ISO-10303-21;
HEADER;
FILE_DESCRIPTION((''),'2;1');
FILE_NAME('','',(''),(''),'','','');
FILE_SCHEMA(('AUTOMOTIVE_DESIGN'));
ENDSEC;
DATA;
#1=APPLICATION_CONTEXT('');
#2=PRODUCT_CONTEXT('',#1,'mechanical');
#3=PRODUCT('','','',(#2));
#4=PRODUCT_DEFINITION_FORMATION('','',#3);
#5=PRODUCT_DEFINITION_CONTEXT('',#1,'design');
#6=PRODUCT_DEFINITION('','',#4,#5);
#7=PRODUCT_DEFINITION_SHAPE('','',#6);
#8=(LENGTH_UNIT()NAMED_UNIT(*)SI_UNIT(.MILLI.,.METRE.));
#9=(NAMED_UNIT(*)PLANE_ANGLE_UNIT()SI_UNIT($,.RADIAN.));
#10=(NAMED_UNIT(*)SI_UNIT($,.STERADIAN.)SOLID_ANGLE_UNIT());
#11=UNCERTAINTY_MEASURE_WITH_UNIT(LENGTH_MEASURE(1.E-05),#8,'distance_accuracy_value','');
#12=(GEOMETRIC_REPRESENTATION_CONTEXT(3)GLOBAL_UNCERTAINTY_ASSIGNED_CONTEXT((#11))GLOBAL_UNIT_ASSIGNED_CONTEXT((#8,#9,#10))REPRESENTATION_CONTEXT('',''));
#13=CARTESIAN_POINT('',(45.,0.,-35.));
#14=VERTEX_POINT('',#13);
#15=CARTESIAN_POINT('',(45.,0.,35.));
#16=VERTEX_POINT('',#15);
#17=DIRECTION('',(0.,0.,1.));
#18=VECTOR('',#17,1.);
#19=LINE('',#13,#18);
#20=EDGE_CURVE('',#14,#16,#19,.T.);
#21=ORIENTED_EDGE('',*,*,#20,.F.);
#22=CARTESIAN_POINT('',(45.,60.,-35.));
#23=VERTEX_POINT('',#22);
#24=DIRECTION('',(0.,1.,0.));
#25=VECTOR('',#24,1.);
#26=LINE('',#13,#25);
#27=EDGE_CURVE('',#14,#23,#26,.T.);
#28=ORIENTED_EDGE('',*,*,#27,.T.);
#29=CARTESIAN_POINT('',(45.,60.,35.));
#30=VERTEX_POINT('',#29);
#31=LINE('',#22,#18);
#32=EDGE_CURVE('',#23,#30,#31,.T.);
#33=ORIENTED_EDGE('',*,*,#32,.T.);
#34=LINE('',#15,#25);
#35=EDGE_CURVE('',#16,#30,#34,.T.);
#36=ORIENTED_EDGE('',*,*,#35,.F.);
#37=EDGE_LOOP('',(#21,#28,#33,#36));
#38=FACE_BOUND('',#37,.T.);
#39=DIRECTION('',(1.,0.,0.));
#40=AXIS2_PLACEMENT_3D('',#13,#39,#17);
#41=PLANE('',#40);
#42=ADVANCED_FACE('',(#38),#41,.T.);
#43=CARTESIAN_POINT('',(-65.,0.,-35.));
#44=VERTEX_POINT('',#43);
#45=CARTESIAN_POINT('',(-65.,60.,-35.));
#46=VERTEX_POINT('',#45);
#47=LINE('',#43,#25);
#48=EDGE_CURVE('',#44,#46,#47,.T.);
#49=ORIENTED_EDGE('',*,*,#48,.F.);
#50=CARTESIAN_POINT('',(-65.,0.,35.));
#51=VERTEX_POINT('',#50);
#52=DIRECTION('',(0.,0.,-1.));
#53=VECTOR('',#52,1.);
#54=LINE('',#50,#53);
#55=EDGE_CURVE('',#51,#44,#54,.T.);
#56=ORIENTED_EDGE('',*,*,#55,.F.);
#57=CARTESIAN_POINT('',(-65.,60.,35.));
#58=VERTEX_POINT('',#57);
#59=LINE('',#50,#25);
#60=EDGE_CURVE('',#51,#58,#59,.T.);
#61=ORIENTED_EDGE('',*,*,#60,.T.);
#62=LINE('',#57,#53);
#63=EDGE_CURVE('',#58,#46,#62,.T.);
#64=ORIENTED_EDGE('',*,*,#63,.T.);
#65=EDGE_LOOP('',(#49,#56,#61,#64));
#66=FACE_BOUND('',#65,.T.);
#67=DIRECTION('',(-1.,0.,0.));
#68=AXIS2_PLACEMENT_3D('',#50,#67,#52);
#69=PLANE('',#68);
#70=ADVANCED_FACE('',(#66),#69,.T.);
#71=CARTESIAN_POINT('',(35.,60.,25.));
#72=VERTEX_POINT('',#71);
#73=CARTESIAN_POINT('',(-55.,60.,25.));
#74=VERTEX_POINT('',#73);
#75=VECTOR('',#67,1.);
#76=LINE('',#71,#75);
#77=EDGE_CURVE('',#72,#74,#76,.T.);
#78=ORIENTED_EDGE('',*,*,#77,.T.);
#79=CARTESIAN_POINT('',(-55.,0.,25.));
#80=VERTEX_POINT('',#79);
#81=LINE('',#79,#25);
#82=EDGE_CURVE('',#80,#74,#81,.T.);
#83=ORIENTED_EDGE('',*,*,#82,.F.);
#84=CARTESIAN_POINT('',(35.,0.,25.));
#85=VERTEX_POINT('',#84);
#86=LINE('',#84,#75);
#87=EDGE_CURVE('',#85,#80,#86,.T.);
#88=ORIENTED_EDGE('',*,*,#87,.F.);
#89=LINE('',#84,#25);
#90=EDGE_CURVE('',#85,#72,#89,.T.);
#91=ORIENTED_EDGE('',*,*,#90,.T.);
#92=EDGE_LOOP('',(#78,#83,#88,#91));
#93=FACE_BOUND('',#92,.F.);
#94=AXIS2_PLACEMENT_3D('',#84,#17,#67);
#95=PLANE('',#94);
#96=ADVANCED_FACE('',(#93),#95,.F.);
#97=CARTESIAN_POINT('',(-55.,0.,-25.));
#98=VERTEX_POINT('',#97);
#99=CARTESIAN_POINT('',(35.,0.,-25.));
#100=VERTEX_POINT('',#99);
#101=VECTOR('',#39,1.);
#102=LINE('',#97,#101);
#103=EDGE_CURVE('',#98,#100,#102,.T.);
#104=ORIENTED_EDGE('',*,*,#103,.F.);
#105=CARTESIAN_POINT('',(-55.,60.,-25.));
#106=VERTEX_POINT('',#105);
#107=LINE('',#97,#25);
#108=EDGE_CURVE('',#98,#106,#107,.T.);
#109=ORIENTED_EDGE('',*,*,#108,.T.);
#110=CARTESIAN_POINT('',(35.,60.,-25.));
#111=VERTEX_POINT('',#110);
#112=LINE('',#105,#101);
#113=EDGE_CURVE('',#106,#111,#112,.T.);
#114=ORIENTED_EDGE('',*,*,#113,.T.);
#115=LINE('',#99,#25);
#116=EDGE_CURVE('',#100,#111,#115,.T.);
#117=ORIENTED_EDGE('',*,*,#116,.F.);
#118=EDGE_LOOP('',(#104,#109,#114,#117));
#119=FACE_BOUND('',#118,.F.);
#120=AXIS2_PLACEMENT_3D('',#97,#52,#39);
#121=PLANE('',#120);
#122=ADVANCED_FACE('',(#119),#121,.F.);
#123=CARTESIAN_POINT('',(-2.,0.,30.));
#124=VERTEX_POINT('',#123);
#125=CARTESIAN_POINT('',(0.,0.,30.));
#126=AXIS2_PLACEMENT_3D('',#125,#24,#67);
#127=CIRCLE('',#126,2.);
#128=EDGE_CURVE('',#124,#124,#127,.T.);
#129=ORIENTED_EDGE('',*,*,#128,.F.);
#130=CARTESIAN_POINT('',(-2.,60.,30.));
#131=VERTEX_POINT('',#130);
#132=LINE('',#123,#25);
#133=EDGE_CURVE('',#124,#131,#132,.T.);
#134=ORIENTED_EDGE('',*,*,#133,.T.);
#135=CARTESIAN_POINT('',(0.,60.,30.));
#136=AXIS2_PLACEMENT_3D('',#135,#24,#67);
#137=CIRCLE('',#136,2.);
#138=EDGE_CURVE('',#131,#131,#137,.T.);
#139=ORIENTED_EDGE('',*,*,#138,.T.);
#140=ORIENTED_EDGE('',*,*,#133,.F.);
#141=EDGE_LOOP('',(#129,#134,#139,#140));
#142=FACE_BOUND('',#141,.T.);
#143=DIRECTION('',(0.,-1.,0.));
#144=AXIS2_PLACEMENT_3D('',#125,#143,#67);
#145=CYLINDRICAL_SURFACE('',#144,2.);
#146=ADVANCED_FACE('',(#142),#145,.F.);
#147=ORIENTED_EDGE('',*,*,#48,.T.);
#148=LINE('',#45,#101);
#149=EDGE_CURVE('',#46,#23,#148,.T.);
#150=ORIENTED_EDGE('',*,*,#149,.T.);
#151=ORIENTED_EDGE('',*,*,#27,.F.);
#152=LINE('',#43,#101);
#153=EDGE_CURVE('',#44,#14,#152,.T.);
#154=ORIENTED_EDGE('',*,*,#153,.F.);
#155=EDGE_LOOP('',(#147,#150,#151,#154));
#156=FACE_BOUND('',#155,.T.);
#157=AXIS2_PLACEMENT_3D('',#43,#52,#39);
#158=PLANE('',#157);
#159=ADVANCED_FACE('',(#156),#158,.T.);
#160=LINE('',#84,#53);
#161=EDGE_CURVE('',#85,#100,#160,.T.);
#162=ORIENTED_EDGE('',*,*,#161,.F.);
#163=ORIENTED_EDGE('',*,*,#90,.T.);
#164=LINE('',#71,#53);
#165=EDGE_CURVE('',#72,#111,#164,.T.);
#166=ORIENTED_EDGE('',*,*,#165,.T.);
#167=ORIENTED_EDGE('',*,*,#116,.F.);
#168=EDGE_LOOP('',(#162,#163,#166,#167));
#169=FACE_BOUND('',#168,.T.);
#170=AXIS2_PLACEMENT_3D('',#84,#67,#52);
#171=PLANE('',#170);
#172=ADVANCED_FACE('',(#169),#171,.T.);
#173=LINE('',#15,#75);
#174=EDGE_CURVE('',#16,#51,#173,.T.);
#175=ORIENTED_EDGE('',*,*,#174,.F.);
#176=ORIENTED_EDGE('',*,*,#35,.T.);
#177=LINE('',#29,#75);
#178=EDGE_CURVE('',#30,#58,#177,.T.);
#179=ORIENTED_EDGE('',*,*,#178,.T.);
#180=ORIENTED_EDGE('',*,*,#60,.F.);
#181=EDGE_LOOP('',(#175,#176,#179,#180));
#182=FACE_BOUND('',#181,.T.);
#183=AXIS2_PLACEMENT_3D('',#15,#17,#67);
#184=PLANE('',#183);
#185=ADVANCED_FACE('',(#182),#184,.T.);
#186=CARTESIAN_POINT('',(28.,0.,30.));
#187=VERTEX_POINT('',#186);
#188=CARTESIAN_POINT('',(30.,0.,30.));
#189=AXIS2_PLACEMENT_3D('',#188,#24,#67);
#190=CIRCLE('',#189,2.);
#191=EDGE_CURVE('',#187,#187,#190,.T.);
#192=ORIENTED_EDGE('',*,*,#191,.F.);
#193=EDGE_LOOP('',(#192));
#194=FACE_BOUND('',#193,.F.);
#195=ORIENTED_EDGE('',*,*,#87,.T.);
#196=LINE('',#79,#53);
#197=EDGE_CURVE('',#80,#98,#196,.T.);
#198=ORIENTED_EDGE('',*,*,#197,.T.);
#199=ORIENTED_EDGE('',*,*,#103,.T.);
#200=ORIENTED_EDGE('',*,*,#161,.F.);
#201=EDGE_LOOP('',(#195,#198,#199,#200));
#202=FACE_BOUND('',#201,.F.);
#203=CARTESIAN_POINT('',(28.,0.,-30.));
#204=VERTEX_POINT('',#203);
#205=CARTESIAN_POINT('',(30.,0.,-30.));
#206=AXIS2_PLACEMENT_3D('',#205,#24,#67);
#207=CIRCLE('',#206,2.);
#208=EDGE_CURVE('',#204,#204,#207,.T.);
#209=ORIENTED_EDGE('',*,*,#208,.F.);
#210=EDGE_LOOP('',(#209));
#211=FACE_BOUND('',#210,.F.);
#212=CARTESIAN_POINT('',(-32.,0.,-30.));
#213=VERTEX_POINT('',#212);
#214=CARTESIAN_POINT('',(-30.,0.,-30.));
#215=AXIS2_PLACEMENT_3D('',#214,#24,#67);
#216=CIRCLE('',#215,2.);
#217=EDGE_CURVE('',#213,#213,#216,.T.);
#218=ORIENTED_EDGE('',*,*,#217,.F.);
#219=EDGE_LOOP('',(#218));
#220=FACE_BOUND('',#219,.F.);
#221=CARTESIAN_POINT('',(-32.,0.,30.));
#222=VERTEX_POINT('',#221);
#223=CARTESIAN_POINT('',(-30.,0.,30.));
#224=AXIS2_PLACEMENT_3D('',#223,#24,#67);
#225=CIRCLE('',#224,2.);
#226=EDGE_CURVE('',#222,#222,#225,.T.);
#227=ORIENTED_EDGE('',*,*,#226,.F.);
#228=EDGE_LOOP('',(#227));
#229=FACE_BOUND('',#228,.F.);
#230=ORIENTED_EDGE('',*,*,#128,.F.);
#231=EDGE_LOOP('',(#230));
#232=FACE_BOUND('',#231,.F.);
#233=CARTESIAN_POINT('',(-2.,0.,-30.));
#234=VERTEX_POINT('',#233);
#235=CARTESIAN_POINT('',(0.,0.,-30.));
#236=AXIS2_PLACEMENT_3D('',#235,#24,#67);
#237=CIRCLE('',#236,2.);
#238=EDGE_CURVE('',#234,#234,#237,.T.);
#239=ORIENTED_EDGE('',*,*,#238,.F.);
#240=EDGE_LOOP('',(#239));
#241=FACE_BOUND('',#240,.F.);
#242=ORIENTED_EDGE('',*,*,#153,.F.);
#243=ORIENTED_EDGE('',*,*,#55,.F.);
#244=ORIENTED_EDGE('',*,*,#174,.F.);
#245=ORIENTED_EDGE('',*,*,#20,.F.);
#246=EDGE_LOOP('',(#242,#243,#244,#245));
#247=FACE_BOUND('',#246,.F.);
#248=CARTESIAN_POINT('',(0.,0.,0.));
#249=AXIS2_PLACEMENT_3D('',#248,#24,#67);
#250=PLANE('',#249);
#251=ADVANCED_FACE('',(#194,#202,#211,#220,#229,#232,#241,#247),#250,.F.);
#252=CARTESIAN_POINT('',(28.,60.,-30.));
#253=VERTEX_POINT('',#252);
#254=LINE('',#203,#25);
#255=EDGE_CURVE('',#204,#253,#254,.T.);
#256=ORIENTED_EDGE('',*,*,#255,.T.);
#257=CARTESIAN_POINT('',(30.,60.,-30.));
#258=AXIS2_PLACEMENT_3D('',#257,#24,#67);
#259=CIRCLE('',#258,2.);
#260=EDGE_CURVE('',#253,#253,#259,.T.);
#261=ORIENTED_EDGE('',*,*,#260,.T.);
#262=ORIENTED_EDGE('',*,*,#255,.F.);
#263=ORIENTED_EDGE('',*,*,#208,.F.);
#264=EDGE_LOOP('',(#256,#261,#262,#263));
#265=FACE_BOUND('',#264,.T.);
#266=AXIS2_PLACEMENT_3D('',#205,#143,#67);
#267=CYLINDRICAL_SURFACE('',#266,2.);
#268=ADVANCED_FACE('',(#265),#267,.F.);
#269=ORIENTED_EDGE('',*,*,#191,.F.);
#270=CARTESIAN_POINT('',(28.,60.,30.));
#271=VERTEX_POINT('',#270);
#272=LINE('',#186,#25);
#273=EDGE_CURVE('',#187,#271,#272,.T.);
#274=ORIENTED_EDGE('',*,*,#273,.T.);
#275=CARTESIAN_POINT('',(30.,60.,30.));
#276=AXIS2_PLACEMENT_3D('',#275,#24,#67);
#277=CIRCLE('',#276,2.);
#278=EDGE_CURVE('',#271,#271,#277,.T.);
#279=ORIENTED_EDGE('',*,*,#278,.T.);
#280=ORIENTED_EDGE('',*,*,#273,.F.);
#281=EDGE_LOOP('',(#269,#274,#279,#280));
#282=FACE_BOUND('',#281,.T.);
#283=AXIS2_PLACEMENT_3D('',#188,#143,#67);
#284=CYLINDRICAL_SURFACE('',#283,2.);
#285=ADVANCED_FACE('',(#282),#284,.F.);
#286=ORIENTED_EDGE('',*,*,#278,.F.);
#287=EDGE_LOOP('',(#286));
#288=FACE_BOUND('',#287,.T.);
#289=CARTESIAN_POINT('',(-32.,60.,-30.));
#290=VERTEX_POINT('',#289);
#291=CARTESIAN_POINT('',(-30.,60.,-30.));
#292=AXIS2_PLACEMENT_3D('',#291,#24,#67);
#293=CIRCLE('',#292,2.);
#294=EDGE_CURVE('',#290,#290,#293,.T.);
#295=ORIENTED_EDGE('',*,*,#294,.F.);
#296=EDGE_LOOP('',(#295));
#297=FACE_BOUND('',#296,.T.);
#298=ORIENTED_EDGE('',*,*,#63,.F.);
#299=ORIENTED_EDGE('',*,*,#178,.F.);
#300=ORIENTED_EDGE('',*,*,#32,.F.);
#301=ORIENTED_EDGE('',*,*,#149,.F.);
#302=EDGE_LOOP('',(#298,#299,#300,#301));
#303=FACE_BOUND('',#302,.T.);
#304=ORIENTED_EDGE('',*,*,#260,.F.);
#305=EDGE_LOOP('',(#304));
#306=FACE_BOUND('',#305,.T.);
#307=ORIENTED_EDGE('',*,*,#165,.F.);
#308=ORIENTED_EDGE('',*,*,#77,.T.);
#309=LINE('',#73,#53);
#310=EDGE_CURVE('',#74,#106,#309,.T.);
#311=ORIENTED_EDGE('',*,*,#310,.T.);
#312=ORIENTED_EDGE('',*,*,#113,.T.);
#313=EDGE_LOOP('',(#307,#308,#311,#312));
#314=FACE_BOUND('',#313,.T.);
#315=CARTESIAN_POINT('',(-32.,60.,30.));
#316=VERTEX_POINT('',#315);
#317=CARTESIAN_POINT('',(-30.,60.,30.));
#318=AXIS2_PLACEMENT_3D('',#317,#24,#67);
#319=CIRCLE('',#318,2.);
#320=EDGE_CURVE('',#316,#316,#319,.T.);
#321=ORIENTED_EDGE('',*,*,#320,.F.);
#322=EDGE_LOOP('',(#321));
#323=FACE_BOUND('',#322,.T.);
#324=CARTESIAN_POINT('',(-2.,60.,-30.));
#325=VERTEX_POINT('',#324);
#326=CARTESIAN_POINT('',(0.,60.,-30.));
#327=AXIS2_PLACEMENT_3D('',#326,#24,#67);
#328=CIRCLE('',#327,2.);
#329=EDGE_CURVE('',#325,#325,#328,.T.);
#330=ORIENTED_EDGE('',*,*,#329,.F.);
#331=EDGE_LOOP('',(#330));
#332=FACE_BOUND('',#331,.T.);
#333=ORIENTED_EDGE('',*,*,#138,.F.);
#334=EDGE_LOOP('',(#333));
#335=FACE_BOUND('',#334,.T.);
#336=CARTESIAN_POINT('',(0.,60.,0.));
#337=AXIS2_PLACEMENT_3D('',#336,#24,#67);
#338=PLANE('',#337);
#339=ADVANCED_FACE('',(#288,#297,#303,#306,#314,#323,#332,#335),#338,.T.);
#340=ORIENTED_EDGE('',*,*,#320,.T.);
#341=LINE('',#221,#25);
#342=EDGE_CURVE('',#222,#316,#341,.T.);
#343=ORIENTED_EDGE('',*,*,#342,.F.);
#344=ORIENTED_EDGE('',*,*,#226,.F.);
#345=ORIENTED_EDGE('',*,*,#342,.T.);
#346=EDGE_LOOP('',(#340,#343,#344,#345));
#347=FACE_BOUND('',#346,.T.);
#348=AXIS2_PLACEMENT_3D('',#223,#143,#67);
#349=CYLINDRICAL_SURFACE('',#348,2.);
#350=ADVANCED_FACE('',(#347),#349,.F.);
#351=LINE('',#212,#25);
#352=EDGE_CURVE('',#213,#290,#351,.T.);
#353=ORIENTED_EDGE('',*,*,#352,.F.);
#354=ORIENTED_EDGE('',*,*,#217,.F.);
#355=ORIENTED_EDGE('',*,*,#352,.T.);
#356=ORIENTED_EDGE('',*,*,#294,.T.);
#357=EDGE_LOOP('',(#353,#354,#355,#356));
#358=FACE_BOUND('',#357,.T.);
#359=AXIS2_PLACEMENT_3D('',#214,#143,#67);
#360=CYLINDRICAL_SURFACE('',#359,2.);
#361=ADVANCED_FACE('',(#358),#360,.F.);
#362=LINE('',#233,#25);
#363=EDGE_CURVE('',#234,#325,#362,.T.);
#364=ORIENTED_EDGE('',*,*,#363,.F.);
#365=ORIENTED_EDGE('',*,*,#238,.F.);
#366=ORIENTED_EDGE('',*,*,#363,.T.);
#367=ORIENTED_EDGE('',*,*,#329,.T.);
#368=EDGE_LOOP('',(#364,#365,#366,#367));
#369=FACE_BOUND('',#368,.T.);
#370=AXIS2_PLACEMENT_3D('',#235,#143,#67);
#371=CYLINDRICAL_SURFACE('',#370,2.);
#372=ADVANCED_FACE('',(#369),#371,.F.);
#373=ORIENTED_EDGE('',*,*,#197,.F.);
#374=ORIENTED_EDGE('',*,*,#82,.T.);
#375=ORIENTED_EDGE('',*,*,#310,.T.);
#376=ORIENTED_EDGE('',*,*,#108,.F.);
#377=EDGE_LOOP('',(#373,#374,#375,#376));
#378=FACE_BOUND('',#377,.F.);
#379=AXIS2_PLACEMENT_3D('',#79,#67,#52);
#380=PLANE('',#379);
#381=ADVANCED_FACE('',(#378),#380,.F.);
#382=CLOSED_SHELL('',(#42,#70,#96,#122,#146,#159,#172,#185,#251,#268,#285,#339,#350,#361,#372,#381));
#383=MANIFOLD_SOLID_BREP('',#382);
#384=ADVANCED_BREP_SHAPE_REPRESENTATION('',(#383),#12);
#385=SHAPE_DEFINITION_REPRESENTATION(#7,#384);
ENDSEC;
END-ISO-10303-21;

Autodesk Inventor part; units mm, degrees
ref_plane "YZ Plane" through (0, 0, 0) normal (1, 0, 0) x (0, 1, 0)
ref_plane "XZ Plane" through (0, 0, 0) normal (0, 1, 0) x (-1, 0, 0)
ref_plane "XY Plane" through (0, 0, 0) normal (0, 0, 1) x (1, 0, 0)
sketch "Sketch1" plane through (0, 0, 0) normal (0, 1, 0) x (-1, 0, 0)
  line L0 (55, 25) -> (55, -25)
  line L1 (-55, 25) -> (55, -25) construction
  line L2 (55, 25) -> (-55, -25) construction
  line L3 (-45, 35) -> (65, 35)
  line L4 (65, 35) -> (65, -35)
  line L5 (65, -35) -> (-45, -35)
  line L6 (-65, 35) -> (65, -35) construction
  line L7 (65, 35) -> (-65, -35) construction
  circle A0 centre (30, 30) radius 2
  circle A1 centre (0, 30) radius 2
  circle A2 centre (-30, 30) radius 2
  line L8 (55, 0) -> (-55, 0) construction
  circle A3 centre (30, -30) radius 2
  circle A4 centre (0, -30) radius 2
  circle A5 centre (-30, -30) radius 2
  line L9 (-35, 25) -> (-35, -25)
  line L10 (-45, -35) -> (-45, 35)
  line L11 (-35, 25) -> (55, 25)
  line L12 (55, -25) -> (-35, -25)
  point P0 (0, 0)
  point P1 (0, 25)
  point P2 (0, 35)
  dimension "d4" = 4
  dimension "d5" = 4
  dimension "d6" = 4
  dimension "d7" = 30
  dimension "d8" = 30
  dimension "d9" = 0
  dimension "d16" = 60
  dimension "d18" = 70
  dimension "d19" = 10
  dimension "d20" = 5
extrude "Extrusion1" add sketch "Sketch1" along normal blind 60
properties part number "ESP box"
